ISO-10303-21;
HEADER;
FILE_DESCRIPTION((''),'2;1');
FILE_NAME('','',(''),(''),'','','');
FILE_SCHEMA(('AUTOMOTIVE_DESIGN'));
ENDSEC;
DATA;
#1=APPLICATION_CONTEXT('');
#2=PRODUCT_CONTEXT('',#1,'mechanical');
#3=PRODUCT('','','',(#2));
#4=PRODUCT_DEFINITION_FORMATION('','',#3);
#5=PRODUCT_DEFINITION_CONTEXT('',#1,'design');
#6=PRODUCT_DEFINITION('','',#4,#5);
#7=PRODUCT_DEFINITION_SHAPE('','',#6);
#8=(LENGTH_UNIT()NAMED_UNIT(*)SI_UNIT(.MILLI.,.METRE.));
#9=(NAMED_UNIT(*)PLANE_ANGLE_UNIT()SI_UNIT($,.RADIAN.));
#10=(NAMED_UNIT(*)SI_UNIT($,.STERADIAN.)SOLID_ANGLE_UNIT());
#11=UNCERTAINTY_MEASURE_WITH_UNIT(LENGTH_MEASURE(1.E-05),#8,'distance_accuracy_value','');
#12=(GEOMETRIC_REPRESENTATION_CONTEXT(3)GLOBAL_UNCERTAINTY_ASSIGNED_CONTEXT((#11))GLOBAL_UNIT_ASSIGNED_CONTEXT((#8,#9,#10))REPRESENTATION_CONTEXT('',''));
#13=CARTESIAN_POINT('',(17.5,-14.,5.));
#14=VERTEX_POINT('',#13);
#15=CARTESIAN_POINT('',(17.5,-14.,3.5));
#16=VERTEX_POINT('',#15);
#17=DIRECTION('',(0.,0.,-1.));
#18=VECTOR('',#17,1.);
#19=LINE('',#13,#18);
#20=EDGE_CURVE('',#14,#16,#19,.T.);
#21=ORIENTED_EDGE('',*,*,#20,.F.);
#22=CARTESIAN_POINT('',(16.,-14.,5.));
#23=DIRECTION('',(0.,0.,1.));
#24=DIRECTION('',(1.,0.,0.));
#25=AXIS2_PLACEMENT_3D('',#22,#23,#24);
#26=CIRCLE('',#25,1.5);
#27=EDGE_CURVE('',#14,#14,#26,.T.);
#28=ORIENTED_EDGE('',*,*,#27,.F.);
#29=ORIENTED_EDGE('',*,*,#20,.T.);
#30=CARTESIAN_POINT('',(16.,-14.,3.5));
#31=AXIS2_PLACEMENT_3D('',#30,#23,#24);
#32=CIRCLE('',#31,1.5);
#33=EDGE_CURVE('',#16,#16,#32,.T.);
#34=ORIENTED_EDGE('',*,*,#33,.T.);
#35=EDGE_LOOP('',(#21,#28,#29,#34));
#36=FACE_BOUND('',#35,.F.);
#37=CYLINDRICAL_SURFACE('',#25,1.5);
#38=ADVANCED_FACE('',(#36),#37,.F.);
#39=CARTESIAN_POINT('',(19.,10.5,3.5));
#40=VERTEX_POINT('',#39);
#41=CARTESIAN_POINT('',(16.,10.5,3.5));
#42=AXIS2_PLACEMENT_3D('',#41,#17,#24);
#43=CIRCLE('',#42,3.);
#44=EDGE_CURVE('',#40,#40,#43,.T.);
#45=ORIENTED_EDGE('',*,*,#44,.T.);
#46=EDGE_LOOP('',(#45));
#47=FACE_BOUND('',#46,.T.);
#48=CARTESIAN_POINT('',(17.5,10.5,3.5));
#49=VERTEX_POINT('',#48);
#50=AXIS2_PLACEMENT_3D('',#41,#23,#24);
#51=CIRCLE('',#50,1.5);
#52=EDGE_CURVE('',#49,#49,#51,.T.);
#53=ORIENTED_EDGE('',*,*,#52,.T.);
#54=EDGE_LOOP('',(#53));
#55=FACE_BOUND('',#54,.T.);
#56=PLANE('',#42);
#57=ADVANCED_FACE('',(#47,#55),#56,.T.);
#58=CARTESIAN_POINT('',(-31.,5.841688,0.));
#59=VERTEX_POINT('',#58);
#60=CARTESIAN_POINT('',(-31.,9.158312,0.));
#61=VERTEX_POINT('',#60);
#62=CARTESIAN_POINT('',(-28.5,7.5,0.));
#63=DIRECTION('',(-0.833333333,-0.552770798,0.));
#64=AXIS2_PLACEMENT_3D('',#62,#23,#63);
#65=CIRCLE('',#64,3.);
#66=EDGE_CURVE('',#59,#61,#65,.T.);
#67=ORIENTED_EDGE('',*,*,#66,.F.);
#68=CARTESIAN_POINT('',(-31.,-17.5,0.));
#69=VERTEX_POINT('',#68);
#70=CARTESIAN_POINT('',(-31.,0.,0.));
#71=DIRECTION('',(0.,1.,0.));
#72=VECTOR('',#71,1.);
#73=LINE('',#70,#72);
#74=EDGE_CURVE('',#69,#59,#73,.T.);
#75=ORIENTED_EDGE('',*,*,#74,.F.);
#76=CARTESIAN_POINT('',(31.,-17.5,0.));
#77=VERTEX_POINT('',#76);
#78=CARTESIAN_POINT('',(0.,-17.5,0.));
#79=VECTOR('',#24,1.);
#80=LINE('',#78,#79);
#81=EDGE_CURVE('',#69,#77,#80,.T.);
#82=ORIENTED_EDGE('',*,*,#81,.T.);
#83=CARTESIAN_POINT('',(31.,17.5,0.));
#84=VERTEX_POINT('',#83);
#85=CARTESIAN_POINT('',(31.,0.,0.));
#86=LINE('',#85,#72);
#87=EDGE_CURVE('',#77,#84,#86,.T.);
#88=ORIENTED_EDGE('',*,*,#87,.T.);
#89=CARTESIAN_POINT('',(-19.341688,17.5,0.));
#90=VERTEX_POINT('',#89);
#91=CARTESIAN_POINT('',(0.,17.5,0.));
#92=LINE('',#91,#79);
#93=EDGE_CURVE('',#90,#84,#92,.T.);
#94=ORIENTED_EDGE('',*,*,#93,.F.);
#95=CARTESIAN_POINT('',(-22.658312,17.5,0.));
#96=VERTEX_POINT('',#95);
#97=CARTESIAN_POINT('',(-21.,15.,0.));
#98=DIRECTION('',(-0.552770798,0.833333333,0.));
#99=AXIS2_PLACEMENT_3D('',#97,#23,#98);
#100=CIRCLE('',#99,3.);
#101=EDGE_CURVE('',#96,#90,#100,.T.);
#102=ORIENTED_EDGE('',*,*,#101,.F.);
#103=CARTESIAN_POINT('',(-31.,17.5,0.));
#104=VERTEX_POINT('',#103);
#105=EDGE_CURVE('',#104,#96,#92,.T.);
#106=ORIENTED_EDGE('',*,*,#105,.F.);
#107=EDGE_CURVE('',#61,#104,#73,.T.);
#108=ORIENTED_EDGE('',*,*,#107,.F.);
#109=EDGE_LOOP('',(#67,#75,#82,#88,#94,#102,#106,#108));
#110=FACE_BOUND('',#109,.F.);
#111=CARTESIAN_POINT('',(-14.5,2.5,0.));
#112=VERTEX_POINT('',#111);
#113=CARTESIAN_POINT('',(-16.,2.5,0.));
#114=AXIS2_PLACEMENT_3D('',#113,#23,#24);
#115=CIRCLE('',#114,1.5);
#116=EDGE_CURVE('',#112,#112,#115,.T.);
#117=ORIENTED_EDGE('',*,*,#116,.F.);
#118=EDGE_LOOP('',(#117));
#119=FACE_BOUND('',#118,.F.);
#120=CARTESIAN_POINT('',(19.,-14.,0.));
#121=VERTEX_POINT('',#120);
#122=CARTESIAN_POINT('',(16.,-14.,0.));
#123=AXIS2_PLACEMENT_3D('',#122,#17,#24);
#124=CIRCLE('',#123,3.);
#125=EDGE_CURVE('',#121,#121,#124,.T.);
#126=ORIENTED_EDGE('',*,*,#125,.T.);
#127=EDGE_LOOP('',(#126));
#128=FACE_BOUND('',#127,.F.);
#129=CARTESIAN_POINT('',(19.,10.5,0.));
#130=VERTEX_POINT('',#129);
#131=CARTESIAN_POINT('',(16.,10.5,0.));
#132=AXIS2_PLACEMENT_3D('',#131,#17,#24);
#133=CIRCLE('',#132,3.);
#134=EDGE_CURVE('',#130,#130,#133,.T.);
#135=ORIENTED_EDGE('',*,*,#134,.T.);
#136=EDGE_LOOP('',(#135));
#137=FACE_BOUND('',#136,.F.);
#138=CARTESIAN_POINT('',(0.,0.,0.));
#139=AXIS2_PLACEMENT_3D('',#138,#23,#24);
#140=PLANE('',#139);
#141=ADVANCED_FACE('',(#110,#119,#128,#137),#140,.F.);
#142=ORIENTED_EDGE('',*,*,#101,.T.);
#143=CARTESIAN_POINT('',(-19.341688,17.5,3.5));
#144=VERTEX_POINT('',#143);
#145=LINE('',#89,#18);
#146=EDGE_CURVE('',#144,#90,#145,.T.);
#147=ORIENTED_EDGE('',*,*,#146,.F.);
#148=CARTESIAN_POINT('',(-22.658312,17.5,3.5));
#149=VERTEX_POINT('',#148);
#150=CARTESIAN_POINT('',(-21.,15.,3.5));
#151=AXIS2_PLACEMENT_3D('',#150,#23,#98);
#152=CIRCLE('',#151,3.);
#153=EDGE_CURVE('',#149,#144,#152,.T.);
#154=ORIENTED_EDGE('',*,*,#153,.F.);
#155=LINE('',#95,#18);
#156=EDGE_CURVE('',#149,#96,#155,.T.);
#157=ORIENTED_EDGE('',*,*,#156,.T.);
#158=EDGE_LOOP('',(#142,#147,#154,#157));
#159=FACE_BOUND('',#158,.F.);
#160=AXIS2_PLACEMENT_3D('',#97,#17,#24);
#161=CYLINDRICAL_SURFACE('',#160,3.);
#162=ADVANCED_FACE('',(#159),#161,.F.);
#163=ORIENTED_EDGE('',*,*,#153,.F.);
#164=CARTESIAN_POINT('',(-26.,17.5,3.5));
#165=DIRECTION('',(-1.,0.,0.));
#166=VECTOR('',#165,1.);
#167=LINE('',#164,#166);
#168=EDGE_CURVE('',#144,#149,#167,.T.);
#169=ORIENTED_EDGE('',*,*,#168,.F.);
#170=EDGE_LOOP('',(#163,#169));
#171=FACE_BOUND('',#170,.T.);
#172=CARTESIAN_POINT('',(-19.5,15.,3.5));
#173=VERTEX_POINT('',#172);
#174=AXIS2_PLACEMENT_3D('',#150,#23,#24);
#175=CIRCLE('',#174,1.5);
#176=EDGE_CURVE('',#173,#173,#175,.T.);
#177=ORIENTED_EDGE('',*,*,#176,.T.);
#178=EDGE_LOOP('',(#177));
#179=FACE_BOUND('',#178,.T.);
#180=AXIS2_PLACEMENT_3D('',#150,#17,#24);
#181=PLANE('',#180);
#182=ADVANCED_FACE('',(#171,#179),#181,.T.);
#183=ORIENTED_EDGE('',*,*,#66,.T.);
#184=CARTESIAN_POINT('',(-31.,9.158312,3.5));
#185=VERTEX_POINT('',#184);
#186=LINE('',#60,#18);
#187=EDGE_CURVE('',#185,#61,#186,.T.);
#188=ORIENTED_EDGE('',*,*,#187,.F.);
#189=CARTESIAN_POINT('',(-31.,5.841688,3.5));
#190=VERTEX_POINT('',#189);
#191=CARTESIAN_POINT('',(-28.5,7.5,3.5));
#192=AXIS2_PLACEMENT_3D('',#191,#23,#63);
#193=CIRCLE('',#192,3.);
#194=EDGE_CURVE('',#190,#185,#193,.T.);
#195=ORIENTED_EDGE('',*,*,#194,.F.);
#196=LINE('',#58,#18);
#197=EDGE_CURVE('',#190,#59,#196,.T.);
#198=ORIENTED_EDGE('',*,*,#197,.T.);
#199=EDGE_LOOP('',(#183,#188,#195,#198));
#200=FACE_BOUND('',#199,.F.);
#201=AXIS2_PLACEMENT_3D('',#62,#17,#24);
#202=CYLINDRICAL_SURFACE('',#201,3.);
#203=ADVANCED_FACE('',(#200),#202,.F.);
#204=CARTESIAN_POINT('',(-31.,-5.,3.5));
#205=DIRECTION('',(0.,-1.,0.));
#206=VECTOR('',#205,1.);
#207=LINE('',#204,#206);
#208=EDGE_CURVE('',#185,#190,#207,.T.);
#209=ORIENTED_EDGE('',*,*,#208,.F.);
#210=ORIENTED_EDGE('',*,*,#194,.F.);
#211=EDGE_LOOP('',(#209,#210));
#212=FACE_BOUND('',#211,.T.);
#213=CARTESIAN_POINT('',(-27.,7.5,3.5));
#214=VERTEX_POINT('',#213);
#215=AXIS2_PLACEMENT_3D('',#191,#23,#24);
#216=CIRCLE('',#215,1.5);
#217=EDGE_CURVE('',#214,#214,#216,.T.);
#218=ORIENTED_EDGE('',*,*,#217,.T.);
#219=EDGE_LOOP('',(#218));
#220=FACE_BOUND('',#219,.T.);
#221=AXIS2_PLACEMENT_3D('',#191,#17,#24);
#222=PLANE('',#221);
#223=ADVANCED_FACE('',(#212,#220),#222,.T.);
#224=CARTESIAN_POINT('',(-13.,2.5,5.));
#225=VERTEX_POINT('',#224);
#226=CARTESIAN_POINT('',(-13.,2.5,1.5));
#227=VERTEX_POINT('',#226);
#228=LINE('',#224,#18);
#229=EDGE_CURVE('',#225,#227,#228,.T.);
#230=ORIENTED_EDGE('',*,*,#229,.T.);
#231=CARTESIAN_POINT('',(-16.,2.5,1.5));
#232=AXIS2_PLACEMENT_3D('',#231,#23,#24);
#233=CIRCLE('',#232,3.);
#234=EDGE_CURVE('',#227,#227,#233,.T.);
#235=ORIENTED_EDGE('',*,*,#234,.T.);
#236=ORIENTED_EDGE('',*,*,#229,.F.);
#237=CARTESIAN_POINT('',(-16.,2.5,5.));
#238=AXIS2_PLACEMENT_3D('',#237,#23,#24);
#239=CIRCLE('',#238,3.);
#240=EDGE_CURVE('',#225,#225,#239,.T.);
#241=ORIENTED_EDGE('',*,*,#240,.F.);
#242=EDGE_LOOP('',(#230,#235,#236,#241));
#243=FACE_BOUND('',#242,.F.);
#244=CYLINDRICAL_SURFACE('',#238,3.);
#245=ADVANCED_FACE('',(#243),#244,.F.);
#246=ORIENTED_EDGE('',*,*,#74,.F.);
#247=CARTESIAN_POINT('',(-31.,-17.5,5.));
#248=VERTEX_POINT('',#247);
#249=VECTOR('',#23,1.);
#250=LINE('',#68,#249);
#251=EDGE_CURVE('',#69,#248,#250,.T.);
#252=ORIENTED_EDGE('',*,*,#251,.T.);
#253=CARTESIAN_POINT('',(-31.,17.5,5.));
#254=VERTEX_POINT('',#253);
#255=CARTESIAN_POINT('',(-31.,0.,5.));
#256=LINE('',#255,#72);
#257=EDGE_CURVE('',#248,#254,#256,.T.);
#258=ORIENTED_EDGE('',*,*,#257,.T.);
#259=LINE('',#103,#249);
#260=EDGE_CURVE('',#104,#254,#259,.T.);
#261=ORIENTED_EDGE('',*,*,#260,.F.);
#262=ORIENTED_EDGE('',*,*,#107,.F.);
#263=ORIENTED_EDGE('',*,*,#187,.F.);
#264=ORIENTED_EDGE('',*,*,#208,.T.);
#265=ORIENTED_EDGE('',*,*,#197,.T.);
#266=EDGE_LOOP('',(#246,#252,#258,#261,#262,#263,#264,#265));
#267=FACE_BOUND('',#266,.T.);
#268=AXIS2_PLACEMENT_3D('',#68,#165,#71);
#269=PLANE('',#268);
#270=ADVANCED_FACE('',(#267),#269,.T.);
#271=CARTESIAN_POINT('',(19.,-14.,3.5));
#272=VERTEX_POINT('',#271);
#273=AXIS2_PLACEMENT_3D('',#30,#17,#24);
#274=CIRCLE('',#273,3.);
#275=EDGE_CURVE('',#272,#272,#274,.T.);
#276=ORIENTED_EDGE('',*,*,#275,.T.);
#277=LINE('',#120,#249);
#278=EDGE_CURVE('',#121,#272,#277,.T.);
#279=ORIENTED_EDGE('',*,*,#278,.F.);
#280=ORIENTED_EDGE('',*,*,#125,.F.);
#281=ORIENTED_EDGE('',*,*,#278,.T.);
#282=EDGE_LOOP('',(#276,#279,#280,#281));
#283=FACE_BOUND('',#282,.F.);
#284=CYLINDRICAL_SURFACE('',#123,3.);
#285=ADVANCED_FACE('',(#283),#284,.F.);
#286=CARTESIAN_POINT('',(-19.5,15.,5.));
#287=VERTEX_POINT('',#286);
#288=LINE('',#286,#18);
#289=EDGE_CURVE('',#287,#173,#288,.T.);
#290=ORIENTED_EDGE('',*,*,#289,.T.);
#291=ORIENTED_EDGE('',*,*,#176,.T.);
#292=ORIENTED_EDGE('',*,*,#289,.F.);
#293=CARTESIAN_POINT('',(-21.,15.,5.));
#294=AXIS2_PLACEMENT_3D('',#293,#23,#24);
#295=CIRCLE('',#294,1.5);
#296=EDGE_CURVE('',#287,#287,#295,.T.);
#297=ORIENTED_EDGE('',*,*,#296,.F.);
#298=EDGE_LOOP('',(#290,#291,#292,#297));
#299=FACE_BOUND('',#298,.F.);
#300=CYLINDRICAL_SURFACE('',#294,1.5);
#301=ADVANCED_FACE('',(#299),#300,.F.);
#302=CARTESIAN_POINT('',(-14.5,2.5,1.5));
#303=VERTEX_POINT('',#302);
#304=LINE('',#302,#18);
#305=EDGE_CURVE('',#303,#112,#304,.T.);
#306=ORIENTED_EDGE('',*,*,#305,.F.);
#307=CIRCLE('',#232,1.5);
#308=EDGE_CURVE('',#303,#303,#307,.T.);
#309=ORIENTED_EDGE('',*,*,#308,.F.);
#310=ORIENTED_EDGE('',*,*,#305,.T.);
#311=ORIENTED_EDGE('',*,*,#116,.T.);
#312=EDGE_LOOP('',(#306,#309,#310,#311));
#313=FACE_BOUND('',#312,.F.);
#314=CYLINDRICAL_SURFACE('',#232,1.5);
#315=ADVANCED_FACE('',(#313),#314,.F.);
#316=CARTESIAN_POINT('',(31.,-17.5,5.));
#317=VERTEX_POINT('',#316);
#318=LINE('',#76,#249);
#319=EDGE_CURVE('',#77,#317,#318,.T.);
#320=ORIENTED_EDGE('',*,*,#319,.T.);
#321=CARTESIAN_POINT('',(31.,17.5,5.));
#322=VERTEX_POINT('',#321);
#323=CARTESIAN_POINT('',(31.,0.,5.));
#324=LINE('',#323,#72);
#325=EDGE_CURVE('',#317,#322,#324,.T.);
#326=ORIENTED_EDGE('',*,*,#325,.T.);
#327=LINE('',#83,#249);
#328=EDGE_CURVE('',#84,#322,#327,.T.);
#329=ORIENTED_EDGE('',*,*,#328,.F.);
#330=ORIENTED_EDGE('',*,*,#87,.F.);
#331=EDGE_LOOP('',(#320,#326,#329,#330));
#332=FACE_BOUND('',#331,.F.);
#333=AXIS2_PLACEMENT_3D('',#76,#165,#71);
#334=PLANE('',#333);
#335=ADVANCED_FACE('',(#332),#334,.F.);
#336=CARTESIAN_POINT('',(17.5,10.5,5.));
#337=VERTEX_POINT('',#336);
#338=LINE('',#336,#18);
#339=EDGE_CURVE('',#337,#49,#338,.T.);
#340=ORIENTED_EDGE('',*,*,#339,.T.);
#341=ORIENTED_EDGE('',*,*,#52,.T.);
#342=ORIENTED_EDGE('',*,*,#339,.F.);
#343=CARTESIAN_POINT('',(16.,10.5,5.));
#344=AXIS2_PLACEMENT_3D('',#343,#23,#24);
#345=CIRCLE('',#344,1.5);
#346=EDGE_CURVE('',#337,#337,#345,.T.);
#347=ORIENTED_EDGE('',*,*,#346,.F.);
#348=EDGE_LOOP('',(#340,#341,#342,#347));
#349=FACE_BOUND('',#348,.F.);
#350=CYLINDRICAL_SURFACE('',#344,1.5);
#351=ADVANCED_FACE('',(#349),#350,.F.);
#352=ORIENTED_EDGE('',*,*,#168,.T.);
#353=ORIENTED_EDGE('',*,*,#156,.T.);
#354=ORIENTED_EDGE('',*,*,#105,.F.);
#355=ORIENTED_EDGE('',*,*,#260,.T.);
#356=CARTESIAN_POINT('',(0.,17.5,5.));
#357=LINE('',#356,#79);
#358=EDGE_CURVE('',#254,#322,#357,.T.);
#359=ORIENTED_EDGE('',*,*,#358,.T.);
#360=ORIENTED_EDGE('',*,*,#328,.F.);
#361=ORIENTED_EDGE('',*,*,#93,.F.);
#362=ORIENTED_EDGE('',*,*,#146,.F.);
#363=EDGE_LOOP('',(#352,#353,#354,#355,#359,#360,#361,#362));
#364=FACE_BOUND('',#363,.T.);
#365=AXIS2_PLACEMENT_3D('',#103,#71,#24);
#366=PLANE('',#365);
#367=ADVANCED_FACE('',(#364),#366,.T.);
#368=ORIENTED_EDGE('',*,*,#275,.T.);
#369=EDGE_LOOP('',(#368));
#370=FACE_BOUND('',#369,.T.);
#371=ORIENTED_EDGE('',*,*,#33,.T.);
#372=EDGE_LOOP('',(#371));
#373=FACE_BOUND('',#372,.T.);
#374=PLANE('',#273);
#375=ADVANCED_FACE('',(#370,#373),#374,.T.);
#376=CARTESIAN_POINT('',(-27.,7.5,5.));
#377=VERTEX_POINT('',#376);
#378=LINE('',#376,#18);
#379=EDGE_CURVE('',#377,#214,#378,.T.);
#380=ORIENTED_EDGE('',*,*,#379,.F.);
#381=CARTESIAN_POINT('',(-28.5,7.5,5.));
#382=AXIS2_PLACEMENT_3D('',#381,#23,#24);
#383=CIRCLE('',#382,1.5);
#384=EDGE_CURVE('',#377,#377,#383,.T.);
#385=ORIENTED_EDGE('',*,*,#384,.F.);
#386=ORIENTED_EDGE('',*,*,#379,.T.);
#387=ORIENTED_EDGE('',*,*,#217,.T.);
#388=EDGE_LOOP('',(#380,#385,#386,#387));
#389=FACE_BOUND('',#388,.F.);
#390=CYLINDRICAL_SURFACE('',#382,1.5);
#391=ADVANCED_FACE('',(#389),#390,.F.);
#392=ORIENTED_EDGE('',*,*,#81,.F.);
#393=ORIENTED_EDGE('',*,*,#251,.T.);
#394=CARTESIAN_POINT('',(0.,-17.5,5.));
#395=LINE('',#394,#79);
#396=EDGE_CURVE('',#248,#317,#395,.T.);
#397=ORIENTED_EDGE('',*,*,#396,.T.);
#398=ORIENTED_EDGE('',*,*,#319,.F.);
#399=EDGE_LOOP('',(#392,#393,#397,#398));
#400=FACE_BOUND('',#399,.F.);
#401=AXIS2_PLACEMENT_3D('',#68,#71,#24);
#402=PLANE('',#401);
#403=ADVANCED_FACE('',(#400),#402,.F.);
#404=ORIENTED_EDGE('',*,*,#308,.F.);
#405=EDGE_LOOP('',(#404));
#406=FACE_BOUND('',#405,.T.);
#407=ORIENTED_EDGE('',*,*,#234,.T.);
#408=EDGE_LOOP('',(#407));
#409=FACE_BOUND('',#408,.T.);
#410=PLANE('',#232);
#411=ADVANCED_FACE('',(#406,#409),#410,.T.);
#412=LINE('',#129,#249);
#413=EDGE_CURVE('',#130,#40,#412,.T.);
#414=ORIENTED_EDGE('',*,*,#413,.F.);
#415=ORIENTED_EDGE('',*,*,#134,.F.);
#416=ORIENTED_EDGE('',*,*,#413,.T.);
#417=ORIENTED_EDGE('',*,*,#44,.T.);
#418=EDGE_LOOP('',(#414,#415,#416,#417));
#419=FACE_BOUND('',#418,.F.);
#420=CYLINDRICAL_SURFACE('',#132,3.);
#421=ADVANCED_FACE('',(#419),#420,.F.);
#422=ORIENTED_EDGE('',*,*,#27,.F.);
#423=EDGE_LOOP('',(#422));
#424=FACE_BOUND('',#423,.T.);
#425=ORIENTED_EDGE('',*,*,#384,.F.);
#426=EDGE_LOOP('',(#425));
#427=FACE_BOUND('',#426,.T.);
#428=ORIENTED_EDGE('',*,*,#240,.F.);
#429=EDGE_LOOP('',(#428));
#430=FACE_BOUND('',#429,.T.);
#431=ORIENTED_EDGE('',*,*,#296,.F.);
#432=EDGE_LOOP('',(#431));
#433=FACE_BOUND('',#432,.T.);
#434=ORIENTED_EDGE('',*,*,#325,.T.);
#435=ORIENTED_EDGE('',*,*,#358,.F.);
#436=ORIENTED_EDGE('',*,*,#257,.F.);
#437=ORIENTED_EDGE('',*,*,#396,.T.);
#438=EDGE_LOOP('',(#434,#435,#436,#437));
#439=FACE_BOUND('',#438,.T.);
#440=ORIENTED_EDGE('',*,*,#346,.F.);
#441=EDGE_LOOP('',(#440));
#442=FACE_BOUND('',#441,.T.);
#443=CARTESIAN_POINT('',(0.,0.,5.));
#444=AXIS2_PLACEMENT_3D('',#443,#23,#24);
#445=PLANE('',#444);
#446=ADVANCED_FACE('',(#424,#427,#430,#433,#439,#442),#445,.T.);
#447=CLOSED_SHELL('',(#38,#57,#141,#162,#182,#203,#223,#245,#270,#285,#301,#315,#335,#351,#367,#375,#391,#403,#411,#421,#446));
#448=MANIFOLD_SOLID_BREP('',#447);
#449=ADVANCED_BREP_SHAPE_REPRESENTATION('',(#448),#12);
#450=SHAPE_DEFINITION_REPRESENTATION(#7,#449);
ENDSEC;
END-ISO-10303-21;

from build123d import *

# Parameters (mm, degrees)
F0_W      = 62
F0_H      = 35
F1_DEPTH  = 5
F2_R      = 1.5
F3_DEPTH  = 5
F4_R      = 3
F5_DEPTH  = 3.5
F6_R      = 3
F7_DEPTH  = 3.5
F8_R      = 1.5
F9_DEPTH  = 5
F10_R     = 1.5
F11_DEPTH = 5
F12_R     = 3
F13_DEPTH = 3.5


with BuildPart() as f1:
    # F0 (on Top) → F1 (new body)
    with BuildSketch(Plane.XY):
        Rectangle(F0_W, F0_H)
    extrude(amount=F1_DEPTH)

    # F2 (on face) → F3 (cut)
    with BuildSketch(Plane.XY.offset(5)):
        with Locations((-28.5, 7.5)):
            Circle(F2_R)
        with Locations((-21, 15)):
            Circle(F2_R)
    extrude(amount=-F3_DEPTH, mode=Mode.SUBTRACT)

    # F4 (on face) → F5 (cut)
    with BuildSketch(Plane(origin=(0, 0, 0), x_dir=(1, 0, 0), z_dir=(0, 0, -1))):
        with Locations((-28.5, -7.5)):
            Circle(F4_R)
        with Locations((-21, -15)):
            Circle(F4_R)
    extrude(amount=-F5_DEPTH, mode=Mode.SUBTRACT)

    # F6 (on face) → F7 (cut)
    with BuildSketch(Plane.XY.offset(5)):
        with Locations((-16, 2.5)):
            Circle(F6_R)
    extrude(amount=-F7_DEPTH, mode=Mode.SUBTRACT)

    # F8 (on face) → F9 (cut)
    with BuildSketch(Plane.XY.offset(1.5)):
        with Locations((-16, 2.5)):
            Circle(F8_R)
    extrude(amount=-F9_DEPTH, mode=Mode.SUBTRACT)

    # F10 (on face) → F11 (cut)
    with BuildSketch(Plane.XY.offset(5)):
        with Locations((16, 10.5)):
            Circle(F10_R)
        with Locations((16, -14)):
            Circle(F10_R)
    extrude(amount=-F11_DEPTH, mode=Mode.SUBTRACT)

    # F12 (on face) → F13 (cut)
    with BuildSketch(Plane(origin=(0, 0, 0), x_dir=(1, 0, 0), z_dir=(0, 0, -1))):
        with Locations((16, 14)):
            Circle(F12_R)
        with Locations((16, -10.5)):
            Circle(F12_R)
    extrude(amount=-F13_DEPTH, mode=Mode.SUBTRACT)


solid = f1.part
